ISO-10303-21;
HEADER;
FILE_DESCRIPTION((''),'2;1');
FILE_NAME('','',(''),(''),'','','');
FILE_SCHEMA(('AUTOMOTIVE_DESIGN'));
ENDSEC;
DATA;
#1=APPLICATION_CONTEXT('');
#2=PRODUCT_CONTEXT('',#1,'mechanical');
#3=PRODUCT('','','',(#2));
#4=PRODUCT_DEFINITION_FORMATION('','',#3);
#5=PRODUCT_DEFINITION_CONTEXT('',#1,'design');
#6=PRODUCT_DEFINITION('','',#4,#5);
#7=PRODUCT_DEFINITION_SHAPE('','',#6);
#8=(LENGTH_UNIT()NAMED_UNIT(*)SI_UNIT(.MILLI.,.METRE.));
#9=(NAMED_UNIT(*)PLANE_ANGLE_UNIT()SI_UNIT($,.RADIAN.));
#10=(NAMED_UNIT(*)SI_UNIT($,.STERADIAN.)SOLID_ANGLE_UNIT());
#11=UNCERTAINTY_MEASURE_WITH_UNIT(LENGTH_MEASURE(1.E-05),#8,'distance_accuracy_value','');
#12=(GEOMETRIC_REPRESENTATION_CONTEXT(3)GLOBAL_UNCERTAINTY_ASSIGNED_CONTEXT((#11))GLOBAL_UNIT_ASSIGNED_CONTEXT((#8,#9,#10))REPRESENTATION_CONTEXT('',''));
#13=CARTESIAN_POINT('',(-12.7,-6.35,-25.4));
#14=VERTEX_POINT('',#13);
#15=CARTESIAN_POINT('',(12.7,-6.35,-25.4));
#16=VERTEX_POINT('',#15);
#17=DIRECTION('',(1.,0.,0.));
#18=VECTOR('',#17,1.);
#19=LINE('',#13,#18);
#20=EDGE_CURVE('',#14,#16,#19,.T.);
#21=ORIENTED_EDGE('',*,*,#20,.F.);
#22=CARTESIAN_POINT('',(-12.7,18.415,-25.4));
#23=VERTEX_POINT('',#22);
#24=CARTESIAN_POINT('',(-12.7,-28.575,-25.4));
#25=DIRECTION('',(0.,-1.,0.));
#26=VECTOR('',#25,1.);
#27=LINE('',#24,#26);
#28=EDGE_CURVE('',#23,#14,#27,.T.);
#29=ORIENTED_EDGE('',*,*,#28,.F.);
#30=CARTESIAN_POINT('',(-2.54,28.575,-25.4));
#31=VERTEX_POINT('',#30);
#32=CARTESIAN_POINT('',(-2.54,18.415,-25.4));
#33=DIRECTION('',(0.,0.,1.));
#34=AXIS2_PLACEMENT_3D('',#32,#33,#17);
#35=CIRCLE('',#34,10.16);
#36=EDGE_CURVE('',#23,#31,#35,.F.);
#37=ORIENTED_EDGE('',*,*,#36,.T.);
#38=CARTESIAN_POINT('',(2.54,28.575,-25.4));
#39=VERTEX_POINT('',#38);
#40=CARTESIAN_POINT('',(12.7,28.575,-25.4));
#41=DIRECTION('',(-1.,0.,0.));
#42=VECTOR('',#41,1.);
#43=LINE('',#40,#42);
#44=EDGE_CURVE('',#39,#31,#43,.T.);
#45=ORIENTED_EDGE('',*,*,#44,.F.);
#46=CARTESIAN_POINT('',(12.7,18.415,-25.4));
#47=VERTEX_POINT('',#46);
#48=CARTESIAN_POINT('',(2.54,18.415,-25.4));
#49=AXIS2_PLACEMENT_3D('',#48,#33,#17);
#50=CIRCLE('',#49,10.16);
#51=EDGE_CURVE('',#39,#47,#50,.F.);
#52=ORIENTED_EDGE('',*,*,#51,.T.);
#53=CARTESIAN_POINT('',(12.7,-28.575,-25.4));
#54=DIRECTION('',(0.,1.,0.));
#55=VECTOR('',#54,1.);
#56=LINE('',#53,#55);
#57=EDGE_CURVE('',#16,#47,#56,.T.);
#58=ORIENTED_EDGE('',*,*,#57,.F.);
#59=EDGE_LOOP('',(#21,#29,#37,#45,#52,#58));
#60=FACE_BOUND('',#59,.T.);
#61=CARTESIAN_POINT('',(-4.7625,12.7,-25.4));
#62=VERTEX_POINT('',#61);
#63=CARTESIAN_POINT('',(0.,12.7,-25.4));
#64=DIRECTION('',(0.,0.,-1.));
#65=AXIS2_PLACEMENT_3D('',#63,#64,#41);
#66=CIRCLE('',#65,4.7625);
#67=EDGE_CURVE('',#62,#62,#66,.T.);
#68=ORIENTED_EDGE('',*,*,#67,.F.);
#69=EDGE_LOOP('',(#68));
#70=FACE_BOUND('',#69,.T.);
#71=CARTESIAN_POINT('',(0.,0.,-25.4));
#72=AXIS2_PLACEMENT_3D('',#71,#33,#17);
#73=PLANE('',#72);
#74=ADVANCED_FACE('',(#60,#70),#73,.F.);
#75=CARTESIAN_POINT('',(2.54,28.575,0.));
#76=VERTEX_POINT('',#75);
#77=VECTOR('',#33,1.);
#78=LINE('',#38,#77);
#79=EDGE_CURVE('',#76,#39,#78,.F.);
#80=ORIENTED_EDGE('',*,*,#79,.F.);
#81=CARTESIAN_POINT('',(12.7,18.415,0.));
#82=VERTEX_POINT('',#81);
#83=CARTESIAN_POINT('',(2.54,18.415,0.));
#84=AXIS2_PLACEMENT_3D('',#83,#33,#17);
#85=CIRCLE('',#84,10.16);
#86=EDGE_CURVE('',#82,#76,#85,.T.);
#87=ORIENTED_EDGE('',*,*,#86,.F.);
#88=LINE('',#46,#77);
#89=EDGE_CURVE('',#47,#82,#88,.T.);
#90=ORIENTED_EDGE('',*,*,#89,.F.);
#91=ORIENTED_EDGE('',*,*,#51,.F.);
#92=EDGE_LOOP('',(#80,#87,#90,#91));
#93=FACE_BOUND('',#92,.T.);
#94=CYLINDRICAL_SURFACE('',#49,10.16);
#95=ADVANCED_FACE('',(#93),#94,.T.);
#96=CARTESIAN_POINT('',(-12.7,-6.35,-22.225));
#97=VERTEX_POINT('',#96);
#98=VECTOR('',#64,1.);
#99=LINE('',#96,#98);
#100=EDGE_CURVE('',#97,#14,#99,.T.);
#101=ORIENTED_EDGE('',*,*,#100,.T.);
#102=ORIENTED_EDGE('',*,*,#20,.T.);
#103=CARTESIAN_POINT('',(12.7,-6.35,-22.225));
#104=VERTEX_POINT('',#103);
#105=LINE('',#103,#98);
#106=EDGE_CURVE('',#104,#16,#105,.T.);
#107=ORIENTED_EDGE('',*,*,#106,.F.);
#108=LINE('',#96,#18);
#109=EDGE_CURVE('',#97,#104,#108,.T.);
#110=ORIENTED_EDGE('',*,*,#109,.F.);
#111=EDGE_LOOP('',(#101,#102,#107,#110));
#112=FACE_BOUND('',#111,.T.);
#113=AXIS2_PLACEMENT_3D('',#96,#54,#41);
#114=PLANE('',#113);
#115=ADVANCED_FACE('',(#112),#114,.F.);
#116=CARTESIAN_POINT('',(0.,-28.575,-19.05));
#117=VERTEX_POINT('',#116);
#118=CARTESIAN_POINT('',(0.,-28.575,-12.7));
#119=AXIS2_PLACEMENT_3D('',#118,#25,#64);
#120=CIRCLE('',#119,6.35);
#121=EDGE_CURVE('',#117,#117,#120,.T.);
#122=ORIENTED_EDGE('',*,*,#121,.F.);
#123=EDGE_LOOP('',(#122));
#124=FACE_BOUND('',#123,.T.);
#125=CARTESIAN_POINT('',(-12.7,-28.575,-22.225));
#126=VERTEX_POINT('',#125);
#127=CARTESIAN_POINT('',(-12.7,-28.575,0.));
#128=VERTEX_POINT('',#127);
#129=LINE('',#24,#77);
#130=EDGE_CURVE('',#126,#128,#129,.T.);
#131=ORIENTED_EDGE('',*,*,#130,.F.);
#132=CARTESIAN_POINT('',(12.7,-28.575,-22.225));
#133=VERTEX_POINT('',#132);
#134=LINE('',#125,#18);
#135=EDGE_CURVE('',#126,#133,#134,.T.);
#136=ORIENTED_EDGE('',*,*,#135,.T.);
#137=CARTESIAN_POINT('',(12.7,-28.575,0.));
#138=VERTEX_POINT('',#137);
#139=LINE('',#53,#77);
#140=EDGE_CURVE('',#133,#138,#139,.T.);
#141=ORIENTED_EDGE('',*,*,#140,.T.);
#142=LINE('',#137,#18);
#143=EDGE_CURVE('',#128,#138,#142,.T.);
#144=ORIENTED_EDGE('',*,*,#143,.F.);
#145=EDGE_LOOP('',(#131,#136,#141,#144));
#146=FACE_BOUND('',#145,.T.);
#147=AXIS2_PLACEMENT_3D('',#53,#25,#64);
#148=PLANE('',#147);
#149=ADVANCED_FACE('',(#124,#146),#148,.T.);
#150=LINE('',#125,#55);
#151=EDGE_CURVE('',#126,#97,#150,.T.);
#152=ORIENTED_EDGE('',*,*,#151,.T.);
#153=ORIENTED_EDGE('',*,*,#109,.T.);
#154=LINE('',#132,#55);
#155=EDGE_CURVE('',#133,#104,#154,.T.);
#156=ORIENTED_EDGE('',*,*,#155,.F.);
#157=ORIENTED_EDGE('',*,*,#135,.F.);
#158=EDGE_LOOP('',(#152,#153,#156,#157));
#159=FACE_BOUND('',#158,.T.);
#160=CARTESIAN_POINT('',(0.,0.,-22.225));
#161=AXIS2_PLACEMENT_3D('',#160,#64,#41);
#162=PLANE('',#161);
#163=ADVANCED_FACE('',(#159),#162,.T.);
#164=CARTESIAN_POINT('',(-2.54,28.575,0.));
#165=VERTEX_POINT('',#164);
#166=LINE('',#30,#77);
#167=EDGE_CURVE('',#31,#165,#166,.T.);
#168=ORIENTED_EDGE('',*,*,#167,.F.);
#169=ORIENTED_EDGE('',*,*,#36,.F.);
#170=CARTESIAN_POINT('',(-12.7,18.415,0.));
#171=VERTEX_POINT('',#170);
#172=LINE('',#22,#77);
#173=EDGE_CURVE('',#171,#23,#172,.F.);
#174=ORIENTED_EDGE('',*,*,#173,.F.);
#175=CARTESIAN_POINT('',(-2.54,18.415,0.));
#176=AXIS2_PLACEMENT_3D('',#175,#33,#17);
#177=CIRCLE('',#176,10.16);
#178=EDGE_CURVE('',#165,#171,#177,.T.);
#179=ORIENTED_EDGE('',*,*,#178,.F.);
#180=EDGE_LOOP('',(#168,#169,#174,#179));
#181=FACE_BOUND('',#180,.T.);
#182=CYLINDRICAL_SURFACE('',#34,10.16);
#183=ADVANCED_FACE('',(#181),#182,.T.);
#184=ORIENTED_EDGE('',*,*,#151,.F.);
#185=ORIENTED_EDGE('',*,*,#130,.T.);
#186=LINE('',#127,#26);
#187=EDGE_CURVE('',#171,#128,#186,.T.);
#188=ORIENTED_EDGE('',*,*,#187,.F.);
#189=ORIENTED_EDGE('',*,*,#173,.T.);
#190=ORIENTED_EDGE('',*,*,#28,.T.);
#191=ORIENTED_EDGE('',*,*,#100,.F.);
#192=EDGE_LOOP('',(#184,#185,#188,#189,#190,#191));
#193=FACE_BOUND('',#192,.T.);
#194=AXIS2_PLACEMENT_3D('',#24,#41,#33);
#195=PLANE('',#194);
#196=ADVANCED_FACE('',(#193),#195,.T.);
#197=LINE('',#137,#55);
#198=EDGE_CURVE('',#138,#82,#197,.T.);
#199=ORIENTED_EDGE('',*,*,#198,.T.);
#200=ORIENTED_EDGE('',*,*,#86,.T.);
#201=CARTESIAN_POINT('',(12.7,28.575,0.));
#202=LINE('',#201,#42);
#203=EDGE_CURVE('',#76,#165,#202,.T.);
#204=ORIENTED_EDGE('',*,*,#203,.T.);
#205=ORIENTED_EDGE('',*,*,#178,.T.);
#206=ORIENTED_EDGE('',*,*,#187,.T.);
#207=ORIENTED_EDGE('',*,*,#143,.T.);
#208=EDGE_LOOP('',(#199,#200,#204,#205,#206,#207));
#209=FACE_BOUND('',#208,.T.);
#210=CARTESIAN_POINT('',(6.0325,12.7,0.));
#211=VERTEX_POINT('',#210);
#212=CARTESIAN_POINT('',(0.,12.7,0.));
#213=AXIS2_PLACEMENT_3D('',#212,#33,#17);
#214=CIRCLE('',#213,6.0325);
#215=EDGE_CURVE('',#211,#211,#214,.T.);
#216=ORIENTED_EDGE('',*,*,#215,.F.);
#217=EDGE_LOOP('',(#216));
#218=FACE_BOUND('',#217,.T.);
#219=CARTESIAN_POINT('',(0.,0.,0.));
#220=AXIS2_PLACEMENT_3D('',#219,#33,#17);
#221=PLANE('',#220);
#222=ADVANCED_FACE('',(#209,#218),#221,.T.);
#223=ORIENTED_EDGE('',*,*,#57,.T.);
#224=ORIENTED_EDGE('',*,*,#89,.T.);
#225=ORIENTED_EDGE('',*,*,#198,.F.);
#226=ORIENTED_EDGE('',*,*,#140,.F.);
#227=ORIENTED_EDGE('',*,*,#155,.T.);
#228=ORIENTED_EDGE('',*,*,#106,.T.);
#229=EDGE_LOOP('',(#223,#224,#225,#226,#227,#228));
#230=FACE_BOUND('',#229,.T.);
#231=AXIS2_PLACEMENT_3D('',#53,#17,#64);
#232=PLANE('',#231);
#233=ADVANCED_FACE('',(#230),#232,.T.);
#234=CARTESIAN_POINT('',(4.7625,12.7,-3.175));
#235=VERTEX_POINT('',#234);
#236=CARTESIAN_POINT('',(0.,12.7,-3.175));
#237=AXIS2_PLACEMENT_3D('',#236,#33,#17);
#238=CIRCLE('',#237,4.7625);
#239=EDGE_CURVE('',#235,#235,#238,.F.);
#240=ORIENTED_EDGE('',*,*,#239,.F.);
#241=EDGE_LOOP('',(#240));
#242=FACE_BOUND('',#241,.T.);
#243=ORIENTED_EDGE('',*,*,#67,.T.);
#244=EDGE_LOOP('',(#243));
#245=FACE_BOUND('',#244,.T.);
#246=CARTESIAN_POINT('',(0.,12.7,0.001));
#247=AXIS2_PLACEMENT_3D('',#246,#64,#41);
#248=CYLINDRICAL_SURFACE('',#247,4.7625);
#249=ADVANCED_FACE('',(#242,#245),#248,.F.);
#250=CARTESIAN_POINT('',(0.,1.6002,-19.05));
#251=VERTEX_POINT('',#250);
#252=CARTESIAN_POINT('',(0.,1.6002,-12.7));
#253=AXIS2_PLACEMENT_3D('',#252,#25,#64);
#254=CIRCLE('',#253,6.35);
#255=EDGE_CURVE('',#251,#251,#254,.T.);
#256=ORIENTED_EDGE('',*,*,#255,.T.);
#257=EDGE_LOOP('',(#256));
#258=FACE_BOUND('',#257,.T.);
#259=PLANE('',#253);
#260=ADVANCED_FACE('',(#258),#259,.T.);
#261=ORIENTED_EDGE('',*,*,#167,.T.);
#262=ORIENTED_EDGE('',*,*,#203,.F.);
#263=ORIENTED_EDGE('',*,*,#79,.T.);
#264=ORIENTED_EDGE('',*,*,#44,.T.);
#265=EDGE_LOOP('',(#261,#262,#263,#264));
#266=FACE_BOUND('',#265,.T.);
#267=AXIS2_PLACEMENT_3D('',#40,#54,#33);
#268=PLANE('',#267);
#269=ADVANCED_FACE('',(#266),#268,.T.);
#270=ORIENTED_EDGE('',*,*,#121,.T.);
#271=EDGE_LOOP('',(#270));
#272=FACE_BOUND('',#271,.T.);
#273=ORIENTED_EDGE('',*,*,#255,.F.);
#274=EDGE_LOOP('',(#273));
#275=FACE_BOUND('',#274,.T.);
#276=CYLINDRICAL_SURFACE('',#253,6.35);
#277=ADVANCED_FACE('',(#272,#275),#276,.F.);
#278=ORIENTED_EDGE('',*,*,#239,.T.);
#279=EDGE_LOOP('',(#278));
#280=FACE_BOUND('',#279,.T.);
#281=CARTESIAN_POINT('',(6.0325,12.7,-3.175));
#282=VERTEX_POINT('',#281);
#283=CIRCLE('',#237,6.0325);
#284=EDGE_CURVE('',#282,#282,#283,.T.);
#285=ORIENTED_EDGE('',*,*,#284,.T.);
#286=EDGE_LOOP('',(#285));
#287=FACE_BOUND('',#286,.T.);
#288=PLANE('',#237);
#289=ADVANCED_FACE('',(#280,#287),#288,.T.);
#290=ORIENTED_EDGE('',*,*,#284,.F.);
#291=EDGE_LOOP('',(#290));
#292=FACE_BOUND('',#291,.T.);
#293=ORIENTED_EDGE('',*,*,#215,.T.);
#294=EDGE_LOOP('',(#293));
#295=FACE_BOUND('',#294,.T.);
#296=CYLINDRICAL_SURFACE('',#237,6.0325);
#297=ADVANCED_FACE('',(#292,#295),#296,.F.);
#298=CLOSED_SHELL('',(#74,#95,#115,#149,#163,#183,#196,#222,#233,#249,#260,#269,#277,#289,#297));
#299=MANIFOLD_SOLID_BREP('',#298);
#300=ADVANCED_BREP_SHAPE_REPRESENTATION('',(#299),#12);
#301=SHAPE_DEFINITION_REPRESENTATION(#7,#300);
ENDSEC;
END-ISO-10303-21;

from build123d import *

# Parameters (mm, degrees)
SKETCH1_W           = 25.4
SKETCH1_H           = 57.15
BOSS_EXTRUDE1_DEPTH = 25.4
SKETCH2_R           = 6.0325
CUT_EXTRUDE1_DEPTH  = 3.175
CUT_EXTRUDE2_REACH  = 27.4
SKETCH3_R           = 4.7625
SKETCH4_W           = 25.4
SKETCH4_H           = 22.225
CUT_EXTRUDE4_DEPTH  = 3.175
SKETCH6_R           = 6.35
CUT_EXTRUDE5_DEPTH  = 30.1752
FILLET1_R           = 10.16


with BuildPart() as part:
    # Sketch1 → Boss-Extrude1 (new body)
    with BuildSketch(Plane.XY):
        Rectangle(SKETCH1_W, SKETCH1_H)
    extrude(amount=-BOSS_EXTRUDE1_DEPTH)

    # Sketch2 → Cut-Extrude1 (cut)
    with BuildSketch(Plane.XY):
        with Locations((0, 12.7)):
            Circle(SKETCH2_R)
    extrude(amount=-CUT_EXTRUDE1_DEPTH, mode=Mode.SUBTRACT)

    # Sketch3 → Cut-Extrude2 (cut, up to next)
    with BuildSketch(Plane(origin=(0, 0, -25.4), x_dir=(-1, 0, 0), z_dir=(0, 0, -1)), mode=Mode.PRIVATE) as cut_extrude2_sk1:
        with Locations((0, 12.7)):
            Circle(SKETCH3_R)
    cut_extrude2_tool1 = extrude(cut_extrude2_sk1.sketch, amount=-CUT_EXTRUDE2_REACH, mode=Mode.PRIVATE) & part.part
    add(cut_extrude2_tool1.solids().sort_by_distance((0, 12.7, -25.4))[0], mode=Mode.SUBTRACT)

    # Sketch4 → Cut-Extrude4 (cut)
    with BuildSketch(Plane(origin=(0, 0, -25.4), x_dir=(-1, 0, 0), z_dir=(0, 0, -1))):
        with Locations((0, -17.4625)):
            Rectangle(SKETCH4_W, SKETCH4_H)
    extrude(amount=-CUT_EXTRUDE4_DEPTH, mode=Mode.SUBTRACT)

    # Sketch6 → Cut-Extrude5 (cut)
    with BuildSketch(Plane.XZ.offset(28.575)):
        with Locations((0, -12.7)):
            Circle(SKETCH6_R)
    extrude(amount=-CUT_EXTRUDE5_DEPTH, mode=Mode.SUBTRACT)

    # Fillet1
    fillet1_edges = [part.edges().sort_by_distance(p)[0] for p in [
        (-12.7, 28.575, -12.7),
        (12.7, 28.575, -12.7),
    ]]
    fillet(fillet1_edges, radius=FILLET1_R)


solid = part.part
